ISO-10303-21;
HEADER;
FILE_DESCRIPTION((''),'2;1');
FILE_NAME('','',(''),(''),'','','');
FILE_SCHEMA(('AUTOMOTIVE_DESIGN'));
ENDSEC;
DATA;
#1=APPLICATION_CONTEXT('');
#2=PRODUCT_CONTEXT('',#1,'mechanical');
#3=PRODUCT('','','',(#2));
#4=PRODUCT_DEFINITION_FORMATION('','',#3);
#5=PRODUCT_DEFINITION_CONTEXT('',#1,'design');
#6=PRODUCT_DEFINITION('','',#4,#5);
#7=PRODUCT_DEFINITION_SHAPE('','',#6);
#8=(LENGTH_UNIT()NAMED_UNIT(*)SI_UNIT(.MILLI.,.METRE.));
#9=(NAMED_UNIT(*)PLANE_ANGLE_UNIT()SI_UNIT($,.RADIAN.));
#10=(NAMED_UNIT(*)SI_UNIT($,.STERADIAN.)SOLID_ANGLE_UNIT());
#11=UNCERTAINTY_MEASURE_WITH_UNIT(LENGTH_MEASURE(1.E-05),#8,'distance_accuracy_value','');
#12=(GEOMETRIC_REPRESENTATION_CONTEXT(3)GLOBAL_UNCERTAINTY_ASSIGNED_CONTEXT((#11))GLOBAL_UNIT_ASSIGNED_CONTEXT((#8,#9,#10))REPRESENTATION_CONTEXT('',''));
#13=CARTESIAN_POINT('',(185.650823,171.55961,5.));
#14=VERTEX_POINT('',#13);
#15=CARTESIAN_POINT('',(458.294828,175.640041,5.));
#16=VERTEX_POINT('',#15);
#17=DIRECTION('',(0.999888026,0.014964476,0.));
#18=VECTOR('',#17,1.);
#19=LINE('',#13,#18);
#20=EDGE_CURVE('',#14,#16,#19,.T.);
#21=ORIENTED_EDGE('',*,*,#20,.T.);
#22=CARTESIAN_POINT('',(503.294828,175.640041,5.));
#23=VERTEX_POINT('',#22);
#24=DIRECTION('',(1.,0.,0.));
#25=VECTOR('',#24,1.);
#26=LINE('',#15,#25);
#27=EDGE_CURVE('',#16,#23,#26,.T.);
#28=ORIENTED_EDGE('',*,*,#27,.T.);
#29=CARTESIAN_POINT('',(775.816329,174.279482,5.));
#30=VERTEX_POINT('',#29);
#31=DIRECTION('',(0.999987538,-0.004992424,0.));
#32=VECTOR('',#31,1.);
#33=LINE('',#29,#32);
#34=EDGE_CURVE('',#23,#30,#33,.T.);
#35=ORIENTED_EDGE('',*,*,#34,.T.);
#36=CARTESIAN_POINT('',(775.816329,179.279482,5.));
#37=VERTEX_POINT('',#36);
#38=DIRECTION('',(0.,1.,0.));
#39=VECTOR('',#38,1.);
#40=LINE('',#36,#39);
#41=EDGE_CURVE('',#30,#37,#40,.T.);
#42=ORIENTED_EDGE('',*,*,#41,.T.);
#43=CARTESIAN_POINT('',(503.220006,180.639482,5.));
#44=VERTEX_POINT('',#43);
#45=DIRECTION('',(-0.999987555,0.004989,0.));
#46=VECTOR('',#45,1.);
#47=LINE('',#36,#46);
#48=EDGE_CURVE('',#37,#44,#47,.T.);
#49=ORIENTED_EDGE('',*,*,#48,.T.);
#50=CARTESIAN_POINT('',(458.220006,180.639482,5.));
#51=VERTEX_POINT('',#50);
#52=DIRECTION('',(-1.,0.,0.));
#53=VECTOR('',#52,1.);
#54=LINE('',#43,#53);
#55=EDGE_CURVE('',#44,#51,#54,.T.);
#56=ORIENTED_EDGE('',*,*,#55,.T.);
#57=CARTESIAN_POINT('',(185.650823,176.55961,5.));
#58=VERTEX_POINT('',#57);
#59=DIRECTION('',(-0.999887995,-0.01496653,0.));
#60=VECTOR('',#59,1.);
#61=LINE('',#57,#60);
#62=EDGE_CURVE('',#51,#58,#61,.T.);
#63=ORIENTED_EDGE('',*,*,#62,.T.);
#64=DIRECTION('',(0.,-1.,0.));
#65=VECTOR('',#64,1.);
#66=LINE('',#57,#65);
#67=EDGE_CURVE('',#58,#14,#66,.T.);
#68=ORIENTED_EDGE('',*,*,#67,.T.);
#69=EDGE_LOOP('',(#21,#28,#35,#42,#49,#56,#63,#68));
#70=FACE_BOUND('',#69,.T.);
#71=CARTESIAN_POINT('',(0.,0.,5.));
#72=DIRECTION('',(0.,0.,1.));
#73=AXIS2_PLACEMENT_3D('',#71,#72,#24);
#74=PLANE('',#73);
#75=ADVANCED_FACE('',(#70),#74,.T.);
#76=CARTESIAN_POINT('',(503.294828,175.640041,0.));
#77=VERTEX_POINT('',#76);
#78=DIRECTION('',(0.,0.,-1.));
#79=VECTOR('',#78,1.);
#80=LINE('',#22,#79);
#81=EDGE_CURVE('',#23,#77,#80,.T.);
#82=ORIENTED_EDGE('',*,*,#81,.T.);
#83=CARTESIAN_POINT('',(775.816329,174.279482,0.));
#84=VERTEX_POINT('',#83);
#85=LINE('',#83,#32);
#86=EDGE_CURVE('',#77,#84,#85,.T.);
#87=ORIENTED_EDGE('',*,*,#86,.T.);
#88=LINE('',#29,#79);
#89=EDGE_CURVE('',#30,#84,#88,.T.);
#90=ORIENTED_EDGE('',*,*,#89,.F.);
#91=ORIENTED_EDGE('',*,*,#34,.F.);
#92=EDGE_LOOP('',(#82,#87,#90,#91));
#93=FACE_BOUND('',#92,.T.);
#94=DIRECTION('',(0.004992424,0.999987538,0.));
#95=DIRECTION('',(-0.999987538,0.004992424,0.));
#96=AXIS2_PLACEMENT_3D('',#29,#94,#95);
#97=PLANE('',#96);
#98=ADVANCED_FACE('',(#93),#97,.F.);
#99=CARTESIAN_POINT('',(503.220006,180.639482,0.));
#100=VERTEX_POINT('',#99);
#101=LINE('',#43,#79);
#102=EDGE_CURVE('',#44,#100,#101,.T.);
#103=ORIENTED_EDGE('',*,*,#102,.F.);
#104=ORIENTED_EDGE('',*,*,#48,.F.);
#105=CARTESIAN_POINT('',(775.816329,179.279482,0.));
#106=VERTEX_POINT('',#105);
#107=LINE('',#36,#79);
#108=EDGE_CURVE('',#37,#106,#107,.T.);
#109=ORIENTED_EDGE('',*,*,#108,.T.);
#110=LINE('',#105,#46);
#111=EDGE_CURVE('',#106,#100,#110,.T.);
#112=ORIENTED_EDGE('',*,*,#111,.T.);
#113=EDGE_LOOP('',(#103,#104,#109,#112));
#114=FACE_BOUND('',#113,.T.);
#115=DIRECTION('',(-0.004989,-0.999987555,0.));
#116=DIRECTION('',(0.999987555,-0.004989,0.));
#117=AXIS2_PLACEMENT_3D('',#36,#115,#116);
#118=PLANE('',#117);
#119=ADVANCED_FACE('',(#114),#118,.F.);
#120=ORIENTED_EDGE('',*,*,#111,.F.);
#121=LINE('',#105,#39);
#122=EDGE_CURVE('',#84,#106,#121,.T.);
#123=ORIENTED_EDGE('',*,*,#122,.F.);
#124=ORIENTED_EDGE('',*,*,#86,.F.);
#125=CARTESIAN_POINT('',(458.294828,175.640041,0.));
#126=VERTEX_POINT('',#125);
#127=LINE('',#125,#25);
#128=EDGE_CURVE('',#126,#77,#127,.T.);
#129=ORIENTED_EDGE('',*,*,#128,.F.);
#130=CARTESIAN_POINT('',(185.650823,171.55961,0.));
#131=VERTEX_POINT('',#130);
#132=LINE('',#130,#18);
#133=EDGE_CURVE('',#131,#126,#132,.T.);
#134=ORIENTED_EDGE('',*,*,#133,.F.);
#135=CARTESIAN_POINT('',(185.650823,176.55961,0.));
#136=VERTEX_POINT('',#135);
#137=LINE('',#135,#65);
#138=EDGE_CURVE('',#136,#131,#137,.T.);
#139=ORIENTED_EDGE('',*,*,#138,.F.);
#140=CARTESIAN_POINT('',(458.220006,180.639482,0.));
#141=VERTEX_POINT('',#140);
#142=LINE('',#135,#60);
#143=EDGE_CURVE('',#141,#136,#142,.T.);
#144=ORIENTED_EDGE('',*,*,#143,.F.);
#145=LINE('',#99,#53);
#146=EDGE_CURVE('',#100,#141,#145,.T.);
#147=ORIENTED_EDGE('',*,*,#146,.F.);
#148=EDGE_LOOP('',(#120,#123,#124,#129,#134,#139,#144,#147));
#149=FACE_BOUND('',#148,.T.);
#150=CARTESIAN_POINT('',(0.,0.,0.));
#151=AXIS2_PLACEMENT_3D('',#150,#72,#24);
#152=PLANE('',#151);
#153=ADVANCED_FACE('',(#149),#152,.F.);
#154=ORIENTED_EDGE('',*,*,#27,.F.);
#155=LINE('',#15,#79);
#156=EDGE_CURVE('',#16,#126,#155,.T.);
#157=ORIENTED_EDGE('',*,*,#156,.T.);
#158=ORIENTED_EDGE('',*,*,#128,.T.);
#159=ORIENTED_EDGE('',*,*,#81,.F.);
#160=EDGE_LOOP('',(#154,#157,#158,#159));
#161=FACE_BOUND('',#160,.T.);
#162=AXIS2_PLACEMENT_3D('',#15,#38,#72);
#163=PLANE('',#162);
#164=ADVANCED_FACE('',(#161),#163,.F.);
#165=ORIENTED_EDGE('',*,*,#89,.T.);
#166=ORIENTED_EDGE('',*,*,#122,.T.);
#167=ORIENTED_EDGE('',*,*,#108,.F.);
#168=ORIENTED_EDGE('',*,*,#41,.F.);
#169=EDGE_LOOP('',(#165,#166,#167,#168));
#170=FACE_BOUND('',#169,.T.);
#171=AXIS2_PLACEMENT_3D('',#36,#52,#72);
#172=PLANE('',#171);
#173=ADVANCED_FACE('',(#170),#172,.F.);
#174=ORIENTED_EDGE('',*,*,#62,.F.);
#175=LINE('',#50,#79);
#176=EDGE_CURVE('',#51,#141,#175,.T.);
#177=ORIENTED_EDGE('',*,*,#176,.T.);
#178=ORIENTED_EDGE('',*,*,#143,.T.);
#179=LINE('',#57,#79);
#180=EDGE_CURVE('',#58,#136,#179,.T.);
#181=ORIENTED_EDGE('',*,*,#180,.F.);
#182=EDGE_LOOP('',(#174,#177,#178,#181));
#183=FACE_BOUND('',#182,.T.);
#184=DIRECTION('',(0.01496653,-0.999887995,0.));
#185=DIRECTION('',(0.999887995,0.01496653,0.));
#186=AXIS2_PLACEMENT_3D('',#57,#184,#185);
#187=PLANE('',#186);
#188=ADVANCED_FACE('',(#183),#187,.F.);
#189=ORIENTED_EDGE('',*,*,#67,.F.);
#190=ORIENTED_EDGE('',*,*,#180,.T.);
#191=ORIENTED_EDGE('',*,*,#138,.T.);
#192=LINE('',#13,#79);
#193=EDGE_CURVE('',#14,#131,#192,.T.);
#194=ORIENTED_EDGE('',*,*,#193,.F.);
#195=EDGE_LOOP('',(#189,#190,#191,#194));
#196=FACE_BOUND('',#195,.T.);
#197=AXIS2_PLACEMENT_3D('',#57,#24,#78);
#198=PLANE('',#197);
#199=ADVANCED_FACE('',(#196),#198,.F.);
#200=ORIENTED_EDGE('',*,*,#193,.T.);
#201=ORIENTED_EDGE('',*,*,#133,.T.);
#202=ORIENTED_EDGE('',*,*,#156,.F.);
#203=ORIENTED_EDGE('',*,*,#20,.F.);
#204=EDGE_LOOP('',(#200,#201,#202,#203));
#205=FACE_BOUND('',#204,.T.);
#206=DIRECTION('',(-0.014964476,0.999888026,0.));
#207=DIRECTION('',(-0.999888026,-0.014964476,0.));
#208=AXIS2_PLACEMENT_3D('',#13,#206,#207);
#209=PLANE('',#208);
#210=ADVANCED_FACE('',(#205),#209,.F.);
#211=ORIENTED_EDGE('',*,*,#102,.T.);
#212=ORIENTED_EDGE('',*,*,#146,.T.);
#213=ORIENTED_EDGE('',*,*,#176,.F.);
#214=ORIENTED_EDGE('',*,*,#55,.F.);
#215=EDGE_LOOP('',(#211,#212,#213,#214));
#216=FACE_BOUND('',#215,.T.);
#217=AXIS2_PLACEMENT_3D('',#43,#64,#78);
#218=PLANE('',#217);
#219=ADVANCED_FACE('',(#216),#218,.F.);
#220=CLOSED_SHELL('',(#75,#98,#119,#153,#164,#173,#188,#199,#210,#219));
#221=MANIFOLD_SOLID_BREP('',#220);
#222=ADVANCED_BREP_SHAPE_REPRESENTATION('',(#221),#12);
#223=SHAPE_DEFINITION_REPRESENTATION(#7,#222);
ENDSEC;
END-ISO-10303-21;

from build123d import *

# Parameters (mm, degrees)
EXTRUDE_1_DEPTH = 5


with BuildPart() as part:
    # Model → 凸台-拉伸1 (new body)
    with BuildSketch(Plane.XY):
        Polygon((775.816328778, 179.279481506), (503.220006076, 180.639481506), (458.220006076, 180.639481506), (185.650823304, 176.559609699), (185.650823304, 171.559609699), (458.294828458, 175.640041376), (503.294828458, 175.640041376), (775.816328778, 174.279481506), align=None)
    extrude(amount=EXTRUDE_1_DEPTH)


solid = part.part
